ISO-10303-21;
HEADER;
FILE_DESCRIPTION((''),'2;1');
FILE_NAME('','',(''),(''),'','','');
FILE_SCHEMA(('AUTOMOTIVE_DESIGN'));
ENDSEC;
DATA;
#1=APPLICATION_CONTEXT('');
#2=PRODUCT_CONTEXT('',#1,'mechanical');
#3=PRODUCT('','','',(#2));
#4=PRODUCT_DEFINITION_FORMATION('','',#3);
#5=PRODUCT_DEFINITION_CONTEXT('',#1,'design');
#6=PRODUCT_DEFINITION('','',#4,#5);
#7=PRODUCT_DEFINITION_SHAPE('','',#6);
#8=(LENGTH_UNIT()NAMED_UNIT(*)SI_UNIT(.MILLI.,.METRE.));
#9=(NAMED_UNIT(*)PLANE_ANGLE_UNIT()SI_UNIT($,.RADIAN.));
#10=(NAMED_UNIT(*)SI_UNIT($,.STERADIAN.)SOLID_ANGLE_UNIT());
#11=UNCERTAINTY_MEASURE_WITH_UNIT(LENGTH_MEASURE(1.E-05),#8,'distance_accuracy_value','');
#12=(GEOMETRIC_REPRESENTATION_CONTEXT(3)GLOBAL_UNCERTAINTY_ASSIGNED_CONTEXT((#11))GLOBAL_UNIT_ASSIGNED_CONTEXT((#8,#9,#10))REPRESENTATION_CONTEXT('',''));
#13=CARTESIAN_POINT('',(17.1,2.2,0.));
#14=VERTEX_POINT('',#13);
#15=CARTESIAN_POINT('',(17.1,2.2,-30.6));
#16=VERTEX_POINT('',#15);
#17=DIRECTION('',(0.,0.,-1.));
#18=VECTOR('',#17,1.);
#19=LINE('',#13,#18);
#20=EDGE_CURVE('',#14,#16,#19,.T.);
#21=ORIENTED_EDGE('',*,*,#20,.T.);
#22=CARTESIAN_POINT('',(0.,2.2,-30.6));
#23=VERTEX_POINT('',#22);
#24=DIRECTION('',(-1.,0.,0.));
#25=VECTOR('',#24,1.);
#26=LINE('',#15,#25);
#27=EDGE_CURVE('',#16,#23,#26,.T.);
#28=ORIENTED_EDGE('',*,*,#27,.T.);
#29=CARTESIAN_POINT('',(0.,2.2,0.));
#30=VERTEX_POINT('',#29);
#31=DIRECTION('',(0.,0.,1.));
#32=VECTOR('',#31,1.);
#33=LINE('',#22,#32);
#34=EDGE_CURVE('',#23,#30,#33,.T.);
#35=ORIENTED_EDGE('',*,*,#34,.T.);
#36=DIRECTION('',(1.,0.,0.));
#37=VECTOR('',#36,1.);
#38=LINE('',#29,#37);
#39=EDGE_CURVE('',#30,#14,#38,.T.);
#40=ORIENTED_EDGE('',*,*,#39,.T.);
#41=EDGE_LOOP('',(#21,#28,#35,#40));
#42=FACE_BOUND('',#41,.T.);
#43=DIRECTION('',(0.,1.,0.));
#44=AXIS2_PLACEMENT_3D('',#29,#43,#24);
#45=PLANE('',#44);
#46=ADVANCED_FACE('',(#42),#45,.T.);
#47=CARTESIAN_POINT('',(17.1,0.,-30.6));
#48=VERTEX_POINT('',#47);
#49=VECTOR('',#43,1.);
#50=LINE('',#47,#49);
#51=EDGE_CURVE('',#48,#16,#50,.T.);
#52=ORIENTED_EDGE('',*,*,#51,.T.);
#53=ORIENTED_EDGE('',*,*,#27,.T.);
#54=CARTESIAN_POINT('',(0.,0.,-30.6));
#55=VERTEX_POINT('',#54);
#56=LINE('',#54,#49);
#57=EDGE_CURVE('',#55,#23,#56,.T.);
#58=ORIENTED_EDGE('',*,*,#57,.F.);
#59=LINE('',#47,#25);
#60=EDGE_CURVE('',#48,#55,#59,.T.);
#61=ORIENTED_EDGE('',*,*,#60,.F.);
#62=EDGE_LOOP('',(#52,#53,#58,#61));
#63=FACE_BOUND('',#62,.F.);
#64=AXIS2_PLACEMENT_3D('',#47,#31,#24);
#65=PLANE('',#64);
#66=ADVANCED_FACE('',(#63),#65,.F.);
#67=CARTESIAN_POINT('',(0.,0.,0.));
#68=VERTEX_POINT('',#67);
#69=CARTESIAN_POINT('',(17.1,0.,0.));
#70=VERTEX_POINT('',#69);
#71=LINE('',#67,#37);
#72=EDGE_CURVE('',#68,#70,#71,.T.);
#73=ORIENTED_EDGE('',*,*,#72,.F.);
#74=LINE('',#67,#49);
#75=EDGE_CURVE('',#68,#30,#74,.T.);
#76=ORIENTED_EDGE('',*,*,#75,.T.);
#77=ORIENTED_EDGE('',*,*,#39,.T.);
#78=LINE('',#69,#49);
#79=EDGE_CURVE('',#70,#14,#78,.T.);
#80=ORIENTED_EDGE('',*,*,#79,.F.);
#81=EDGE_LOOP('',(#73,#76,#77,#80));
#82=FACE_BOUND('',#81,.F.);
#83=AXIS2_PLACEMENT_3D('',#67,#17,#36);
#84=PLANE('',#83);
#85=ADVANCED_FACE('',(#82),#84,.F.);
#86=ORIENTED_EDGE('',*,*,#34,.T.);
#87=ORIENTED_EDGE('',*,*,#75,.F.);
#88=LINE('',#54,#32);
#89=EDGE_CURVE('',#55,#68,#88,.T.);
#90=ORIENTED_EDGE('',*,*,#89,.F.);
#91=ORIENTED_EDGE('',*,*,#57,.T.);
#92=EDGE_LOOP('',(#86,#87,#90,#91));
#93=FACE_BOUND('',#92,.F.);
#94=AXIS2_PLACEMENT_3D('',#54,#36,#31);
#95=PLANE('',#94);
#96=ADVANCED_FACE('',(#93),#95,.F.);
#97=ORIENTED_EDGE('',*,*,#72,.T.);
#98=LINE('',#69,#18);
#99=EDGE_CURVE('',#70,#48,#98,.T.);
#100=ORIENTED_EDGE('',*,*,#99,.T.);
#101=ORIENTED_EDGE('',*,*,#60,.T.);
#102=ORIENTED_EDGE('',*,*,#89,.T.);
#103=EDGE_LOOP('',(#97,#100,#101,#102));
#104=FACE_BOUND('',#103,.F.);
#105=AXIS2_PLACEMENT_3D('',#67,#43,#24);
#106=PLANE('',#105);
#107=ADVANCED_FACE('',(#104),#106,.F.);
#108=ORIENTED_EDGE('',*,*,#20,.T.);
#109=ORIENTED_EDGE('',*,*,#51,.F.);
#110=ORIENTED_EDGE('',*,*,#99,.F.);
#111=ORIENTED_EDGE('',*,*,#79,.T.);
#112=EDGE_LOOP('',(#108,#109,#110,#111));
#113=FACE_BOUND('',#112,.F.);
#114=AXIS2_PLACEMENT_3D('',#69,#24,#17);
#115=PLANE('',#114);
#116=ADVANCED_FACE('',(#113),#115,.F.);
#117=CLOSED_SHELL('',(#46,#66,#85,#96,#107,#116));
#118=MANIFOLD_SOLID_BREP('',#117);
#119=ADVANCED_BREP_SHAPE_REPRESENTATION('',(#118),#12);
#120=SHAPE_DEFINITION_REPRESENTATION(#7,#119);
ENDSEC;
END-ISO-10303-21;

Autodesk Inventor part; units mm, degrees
ref_plane "YZ Plane" through (0, 0, 0) normal (1, 0, 0) x (0, 1, 0)
ref_plane "XZ Plane" through (0, 0, 0) normal (0, 1, 0) x (-1, 0, 0)
ref_plane "XY Plane" through (0, 0, 0) normal (0, 0, 1) x (1, 0, 0)
sketch "Skizze1" plane through (0, 0, 0) normal (0, 1, 0) x (-1, 0, 0)
  line L0 (0, 0) -> (-17.1, 0)
  line L1 (-17.1, 0) -> (-17.1, -30.6)
  line L2 (-17.1, -30.6) -> (0, -30.6)
  line L3 (0, -30.6) -> (0, 0)
  dimension "d0" = 17.1
  dimension "d1" = 30.6
extrude "Extrusion1" add sketch "Skizze1" along normal blind 2.2
ref_plane "Arbeitsebene1" through (8.55, 0, -30.6) normal (-1, 0, 0) x (0, 0, 1)
properties part number "TTLUSB"
